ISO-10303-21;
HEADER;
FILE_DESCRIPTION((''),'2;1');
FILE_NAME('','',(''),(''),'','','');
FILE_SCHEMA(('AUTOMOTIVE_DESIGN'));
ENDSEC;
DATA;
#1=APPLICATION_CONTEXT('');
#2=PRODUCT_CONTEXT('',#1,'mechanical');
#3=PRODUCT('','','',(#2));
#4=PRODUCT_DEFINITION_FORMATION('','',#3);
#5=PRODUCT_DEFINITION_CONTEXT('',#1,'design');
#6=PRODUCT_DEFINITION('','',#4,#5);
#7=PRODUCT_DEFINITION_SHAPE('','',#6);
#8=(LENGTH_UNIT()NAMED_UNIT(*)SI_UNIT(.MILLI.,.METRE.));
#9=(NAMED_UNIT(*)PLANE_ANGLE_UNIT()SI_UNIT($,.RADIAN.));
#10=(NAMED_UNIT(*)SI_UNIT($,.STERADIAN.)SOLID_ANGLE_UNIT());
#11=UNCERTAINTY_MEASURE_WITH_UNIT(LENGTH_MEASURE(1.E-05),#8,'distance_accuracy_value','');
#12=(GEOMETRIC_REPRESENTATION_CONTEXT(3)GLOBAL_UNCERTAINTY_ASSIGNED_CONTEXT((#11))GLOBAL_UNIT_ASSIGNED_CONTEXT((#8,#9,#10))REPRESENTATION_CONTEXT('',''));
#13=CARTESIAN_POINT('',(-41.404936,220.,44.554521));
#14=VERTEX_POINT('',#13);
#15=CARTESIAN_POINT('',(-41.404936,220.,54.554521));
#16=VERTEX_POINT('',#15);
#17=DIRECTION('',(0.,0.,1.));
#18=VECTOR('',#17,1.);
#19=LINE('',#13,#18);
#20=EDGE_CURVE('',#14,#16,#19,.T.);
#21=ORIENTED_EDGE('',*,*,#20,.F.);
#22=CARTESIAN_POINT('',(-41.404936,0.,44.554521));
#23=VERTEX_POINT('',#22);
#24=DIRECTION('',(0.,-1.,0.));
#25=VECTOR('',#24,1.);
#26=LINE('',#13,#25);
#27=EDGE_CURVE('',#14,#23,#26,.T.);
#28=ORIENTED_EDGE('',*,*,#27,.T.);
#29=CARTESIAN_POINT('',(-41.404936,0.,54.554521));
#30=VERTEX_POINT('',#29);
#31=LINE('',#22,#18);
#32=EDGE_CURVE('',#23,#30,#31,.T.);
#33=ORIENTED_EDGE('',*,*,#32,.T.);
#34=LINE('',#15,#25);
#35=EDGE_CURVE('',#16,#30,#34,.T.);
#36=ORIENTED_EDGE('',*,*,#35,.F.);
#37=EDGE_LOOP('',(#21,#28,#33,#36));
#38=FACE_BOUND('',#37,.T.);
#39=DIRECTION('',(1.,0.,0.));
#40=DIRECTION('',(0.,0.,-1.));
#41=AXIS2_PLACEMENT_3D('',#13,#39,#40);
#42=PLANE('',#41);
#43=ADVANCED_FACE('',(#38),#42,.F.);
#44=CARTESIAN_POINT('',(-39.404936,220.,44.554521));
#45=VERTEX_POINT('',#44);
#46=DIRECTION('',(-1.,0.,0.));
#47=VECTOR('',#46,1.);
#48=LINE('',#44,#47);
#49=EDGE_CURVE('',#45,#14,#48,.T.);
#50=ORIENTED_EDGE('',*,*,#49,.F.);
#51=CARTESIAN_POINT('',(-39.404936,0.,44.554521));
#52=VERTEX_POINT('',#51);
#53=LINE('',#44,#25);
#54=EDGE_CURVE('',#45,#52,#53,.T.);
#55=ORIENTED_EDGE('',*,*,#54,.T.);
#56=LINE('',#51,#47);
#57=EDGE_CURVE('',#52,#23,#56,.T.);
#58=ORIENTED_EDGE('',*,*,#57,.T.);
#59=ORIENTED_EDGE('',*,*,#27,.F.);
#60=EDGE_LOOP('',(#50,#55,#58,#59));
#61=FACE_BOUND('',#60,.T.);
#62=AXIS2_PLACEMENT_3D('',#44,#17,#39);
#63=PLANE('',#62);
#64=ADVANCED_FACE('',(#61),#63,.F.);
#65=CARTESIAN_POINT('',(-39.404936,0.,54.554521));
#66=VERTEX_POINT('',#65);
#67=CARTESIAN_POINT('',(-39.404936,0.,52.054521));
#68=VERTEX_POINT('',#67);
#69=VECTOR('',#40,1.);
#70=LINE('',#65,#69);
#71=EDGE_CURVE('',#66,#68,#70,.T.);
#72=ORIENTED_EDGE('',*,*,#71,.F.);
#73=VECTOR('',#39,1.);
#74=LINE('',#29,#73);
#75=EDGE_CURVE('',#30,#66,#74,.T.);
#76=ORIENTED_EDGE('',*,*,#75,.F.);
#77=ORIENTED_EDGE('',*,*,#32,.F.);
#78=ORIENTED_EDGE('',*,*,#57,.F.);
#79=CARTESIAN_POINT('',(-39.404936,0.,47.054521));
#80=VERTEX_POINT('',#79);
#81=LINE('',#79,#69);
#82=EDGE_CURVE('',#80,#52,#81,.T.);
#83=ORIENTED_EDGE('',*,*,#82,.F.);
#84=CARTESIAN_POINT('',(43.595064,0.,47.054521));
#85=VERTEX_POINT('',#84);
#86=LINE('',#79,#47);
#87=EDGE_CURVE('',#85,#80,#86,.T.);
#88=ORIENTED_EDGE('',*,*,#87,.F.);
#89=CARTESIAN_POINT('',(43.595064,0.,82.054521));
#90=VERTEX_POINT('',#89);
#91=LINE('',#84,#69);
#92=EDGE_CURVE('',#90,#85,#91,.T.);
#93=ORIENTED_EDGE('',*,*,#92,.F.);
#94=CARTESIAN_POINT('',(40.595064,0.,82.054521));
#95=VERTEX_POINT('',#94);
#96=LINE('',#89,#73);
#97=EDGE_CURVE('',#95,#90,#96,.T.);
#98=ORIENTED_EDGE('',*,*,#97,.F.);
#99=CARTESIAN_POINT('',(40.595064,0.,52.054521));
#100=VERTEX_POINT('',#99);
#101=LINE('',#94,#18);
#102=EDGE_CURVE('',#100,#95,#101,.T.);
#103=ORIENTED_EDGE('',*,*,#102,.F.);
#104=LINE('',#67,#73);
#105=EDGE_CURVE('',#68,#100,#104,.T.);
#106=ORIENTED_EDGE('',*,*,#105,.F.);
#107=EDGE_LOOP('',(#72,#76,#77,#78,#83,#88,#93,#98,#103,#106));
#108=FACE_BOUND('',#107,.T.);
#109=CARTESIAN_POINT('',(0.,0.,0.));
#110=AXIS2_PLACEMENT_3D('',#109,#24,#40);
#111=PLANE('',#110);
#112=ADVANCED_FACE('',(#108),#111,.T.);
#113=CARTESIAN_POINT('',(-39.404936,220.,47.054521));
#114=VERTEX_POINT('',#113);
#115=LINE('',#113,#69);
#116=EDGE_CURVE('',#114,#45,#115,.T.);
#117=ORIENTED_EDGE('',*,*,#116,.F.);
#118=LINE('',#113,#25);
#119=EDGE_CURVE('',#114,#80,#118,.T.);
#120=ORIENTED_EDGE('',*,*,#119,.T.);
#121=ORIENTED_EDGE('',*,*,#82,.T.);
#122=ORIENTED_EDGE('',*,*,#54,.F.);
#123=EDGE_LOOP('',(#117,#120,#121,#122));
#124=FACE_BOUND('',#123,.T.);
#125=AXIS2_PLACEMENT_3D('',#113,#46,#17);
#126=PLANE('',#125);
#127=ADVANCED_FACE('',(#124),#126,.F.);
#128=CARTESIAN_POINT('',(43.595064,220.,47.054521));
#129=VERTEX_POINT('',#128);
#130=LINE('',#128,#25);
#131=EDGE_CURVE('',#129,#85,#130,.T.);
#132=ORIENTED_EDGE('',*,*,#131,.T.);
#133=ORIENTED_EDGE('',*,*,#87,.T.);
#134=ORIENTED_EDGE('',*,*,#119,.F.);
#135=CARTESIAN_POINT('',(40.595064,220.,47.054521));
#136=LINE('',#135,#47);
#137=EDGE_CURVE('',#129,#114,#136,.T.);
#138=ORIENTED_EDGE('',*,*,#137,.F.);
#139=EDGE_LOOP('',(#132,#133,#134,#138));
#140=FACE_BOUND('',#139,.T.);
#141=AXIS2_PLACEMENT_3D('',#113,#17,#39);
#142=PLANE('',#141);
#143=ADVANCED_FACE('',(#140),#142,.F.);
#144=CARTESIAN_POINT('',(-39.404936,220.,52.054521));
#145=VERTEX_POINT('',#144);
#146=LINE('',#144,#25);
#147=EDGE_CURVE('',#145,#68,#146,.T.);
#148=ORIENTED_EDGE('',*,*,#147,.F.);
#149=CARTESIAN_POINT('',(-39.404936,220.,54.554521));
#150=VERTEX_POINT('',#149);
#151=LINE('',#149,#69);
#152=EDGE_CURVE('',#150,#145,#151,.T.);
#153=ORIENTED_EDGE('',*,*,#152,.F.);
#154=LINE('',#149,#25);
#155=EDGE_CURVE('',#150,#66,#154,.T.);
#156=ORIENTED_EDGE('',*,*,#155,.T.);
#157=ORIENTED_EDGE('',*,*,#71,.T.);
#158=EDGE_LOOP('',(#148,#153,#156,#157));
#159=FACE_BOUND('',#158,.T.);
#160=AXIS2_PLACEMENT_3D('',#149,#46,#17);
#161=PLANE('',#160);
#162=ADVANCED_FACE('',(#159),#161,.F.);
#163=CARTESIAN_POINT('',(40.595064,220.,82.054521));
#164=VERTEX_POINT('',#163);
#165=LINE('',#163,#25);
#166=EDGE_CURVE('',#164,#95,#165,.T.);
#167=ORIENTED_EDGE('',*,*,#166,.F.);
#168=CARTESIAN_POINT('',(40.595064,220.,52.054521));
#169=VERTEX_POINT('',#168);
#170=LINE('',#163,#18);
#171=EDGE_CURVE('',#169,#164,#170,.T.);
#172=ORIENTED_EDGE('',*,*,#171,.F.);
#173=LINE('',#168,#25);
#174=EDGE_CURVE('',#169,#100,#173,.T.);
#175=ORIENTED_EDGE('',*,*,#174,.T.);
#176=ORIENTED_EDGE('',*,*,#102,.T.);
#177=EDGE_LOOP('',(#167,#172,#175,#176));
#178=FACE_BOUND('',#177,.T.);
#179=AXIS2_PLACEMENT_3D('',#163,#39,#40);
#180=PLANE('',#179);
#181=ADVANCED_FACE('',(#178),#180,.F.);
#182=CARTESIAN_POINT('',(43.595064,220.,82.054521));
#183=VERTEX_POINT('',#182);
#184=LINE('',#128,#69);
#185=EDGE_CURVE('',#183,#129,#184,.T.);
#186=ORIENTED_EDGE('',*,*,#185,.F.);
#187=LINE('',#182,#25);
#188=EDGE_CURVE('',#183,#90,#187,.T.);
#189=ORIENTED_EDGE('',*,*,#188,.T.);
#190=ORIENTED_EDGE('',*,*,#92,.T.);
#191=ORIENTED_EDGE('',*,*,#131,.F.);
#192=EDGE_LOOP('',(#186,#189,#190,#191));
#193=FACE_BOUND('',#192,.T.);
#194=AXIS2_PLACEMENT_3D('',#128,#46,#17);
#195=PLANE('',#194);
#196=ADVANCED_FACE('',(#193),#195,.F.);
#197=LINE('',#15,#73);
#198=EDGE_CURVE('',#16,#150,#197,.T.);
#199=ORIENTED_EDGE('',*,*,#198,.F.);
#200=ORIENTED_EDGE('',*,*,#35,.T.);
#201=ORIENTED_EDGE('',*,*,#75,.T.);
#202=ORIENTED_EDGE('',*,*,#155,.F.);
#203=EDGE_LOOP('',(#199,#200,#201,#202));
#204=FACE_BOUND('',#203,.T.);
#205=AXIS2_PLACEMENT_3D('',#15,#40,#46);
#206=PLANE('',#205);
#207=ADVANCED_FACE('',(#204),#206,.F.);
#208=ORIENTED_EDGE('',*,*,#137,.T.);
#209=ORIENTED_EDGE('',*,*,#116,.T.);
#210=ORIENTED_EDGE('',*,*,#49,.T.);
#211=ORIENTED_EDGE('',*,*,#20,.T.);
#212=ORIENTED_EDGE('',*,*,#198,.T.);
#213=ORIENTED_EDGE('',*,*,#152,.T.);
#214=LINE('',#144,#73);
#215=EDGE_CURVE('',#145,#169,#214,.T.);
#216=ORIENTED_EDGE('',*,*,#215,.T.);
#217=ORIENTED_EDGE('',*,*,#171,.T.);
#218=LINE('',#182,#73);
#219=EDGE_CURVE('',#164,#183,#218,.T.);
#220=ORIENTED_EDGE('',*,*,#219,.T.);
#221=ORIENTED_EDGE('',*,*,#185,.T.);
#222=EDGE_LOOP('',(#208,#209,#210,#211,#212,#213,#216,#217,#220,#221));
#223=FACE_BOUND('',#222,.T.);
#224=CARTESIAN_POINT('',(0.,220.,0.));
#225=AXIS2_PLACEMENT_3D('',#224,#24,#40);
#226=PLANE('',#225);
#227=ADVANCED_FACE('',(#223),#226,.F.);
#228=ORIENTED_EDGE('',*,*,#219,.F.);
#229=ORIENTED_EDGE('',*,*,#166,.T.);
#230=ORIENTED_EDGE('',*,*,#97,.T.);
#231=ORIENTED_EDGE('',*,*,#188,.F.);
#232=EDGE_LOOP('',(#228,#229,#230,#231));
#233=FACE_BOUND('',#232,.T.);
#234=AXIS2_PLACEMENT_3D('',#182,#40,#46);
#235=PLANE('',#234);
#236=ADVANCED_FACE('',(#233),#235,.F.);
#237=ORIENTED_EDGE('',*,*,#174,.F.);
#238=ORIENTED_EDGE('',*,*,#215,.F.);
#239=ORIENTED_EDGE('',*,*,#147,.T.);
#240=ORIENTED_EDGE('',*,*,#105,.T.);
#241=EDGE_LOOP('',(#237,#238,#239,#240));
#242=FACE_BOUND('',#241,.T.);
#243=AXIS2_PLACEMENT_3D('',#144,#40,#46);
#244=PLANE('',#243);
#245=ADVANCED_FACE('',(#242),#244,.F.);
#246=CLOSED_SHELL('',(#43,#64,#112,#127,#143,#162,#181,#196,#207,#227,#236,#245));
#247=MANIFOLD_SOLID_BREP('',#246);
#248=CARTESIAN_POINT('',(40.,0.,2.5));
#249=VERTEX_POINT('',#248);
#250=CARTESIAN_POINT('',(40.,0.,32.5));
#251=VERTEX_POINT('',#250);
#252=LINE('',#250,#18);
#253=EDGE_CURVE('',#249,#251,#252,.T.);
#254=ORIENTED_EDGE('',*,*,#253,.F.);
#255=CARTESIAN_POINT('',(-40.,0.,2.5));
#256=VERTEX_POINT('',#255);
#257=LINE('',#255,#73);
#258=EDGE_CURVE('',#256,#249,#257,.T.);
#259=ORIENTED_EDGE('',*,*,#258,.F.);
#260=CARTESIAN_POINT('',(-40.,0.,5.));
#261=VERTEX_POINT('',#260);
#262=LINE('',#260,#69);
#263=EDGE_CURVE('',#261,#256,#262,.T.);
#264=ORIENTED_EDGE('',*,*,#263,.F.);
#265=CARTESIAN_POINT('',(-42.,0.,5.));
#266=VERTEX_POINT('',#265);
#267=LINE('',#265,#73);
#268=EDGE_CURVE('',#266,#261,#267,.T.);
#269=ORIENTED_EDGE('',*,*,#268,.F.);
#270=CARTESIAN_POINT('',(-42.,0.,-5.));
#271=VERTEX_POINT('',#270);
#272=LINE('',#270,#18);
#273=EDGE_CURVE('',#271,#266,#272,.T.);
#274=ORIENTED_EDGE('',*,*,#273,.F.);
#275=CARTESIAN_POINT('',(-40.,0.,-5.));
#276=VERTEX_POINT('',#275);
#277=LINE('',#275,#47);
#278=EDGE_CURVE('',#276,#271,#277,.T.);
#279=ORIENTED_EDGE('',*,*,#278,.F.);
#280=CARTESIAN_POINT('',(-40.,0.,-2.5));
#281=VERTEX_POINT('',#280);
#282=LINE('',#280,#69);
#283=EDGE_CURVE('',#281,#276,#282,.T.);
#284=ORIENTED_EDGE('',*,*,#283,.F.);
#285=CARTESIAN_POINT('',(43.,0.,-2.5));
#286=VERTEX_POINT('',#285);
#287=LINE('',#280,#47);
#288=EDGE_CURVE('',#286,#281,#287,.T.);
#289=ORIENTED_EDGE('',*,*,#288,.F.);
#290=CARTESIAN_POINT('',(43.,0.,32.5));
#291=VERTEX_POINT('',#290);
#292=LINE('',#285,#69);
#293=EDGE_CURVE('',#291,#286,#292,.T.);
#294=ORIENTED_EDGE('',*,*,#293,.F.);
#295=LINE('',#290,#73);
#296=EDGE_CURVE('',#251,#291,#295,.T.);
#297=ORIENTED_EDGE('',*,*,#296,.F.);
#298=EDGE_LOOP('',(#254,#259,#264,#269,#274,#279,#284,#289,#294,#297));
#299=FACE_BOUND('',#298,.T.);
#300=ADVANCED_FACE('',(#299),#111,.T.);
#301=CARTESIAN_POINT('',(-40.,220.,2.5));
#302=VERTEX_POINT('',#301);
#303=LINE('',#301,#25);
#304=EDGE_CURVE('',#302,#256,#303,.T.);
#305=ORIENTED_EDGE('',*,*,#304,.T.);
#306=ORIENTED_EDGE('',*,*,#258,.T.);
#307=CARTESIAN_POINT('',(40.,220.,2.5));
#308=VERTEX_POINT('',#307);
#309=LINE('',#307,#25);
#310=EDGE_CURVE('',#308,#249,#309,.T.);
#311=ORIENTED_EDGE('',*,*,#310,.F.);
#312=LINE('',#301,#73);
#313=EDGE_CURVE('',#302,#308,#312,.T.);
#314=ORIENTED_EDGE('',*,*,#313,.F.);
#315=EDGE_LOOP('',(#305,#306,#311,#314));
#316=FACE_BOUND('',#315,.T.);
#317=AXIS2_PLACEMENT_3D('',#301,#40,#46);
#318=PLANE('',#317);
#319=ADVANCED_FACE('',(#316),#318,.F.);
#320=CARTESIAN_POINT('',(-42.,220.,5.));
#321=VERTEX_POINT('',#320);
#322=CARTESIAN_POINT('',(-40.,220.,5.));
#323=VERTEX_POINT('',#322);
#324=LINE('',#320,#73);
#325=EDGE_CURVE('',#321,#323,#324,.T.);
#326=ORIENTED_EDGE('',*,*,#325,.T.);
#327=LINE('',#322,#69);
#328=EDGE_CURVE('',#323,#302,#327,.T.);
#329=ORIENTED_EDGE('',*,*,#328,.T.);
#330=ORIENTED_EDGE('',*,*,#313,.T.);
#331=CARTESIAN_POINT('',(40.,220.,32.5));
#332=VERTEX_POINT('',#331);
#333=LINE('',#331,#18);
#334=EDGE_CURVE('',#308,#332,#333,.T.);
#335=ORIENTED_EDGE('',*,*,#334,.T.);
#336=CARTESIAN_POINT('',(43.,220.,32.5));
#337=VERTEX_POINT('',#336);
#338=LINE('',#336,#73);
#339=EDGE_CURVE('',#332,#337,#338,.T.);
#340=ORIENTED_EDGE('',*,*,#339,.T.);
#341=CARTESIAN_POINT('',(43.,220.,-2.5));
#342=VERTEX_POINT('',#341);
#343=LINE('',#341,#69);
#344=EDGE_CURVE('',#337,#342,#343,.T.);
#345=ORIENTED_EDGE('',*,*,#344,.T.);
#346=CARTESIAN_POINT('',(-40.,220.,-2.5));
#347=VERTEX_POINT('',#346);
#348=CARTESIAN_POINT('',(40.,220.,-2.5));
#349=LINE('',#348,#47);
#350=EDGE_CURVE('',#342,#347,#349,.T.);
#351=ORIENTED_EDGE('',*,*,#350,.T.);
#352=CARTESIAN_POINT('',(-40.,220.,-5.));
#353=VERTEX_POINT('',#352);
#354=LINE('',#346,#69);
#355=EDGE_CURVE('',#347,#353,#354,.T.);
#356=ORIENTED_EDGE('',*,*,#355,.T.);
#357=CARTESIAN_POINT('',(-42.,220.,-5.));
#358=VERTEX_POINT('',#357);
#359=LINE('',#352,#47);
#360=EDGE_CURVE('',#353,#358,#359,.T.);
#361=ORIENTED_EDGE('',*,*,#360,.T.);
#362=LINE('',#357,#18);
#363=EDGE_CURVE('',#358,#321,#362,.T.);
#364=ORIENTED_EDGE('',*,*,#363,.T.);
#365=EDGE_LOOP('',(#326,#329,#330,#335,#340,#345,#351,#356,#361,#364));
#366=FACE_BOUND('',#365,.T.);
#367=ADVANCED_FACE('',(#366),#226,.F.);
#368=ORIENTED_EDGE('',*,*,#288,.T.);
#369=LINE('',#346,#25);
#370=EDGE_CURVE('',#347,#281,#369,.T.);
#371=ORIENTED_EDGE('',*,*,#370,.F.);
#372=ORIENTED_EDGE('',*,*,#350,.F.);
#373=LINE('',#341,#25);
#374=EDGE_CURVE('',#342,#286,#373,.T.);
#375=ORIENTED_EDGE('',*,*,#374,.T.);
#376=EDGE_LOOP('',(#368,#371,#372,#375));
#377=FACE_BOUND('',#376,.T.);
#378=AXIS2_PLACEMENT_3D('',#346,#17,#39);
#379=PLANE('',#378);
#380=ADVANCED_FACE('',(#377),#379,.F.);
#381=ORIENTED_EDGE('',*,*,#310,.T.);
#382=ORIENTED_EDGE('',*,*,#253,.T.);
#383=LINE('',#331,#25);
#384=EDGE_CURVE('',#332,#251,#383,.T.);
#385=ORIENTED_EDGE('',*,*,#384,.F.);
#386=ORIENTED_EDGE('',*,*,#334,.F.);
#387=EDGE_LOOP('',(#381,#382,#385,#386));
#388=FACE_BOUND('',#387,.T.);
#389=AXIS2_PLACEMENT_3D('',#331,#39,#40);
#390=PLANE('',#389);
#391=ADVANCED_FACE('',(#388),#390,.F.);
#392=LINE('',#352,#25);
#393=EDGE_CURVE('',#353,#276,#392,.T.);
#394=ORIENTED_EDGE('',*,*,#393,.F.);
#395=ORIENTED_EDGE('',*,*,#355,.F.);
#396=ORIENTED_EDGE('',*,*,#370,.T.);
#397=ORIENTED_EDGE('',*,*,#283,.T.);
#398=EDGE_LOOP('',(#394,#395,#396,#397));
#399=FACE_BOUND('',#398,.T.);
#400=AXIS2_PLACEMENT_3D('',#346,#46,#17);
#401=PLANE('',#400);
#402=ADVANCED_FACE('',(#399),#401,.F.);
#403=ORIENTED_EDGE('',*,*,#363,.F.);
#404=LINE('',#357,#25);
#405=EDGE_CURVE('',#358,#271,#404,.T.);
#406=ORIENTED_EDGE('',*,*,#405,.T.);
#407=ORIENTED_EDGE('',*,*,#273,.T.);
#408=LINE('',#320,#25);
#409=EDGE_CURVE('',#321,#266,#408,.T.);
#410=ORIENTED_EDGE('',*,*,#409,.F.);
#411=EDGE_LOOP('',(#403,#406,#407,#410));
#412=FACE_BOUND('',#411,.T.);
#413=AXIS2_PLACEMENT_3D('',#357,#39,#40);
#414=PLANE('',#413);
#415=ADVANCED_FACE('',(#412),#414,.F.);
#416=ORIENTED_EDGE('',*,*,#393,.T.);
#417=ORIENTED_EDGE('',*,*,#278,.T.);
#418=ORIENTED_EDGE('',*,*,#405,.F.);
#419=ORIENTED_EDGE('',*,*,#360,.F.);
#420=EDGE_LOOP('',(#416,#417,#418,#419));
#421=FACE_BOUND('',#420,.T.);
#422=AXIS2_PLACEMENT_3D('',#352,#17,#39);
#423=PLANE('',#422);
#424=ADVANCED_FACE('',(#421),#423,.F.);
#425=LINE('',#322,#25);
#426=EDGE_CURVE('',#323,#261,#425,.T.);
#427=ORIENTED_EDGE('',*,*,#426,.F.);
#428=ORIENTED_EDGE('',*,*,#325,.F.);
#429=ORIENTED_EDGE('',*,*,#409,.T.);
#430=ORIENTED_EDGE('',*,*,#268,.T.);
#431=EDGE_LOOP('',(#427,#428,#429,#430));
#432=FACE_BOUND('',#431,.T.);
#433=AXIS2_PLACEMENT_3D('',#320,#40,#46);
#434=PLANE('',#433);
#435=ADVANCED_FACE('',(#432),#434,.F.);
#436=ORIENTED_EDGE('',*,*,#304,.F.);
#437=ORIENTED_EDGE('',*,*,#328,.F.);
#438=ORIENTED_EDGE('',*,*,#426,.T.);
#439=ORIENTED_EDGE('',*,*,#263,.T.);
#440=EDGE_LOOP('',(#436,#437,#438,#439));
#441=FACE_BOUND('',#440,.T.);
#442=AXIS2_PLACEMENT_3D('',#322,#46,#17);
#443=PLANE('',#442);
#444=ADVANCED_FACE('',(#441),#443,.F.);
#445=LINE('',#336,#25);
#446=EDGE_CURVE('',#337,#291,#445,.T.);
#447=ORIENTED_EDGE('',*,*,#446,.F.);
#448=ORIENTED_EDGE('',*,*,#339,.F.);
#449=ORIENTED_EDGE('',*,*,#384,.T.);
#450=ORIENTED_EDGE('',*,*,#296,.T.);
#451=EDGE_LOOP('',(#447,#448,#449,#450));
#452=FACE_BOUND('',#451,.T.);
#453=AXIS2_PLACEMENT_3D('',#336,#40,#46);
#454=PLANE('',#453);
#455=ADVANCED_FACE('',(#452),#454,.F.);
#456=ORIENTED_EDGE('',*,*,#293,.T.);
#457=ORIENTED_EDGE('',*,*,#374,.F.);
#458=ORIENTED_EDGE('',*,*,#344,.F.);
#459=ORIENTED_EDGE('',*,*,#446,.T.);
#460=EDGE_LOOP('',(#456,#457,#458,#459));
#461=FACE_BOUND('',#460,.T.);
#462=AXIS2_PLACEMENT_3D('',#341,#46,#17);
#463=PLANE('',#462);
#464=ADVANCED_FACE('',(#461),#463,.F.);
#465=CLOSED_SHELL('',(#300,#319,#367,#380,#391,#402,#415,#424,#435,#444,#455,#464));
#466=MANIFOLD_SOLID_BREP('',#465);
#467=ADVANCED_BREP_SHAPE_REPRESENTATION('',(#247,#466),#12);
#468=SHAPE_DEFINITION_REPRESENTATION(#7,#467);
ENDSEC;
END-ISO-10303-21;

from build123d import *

# Parameters (mm, degrees)
EXTRUDE_1_DEPTH   = 220
EXTRUDE_1_2_DEPTH = 220


with BuildPart() as part:
    # 草图1 → 凸台-拉伸1 (new body)
    with BuildSketch(Plane(origin=(0, 0, 0), x_dir=(1, 0, 0), z_dir=(0, 1, 0))):
        Polygon((-40, 2.5), (-40, 5), (-42, 5), (-42, -5), (-40, -5), (-40, -2.5), (40, -2.5), (40, -32.5), (43, -32.5), (43, 2.5), (40, 2.5), align=None)
    extrude(amount=EXTRUDE_1_DEPTH)


with BuildPart() as body_2:
    # 草图1 → Extrude 1 2 (new body)
    with BuildSketch(Plane(origin=(0, 0, 0), x_dir=(1, 0, 0), z_dir=(0, 1, 0))):
        Polygon((-39.404935515, -47.054520884), (40.595064485, -47.054520884), (43.595064485, -47.054520884), (43.595064485, -82.054520884), (40.595064485, -82.054520884), (40.595064485, -52.054520884), (-39.404935515, -52.054520884), (-39.404935515, -54.554520884), (-41.404935515, -54.554520884), (-41.404935515, -44.554520884), (-39.404935515, -44.554520884), align=None)
    extrude(amount=EXTRUDE_1_2_DEPTH)


solid = Compound([part.part, body_2.part])
